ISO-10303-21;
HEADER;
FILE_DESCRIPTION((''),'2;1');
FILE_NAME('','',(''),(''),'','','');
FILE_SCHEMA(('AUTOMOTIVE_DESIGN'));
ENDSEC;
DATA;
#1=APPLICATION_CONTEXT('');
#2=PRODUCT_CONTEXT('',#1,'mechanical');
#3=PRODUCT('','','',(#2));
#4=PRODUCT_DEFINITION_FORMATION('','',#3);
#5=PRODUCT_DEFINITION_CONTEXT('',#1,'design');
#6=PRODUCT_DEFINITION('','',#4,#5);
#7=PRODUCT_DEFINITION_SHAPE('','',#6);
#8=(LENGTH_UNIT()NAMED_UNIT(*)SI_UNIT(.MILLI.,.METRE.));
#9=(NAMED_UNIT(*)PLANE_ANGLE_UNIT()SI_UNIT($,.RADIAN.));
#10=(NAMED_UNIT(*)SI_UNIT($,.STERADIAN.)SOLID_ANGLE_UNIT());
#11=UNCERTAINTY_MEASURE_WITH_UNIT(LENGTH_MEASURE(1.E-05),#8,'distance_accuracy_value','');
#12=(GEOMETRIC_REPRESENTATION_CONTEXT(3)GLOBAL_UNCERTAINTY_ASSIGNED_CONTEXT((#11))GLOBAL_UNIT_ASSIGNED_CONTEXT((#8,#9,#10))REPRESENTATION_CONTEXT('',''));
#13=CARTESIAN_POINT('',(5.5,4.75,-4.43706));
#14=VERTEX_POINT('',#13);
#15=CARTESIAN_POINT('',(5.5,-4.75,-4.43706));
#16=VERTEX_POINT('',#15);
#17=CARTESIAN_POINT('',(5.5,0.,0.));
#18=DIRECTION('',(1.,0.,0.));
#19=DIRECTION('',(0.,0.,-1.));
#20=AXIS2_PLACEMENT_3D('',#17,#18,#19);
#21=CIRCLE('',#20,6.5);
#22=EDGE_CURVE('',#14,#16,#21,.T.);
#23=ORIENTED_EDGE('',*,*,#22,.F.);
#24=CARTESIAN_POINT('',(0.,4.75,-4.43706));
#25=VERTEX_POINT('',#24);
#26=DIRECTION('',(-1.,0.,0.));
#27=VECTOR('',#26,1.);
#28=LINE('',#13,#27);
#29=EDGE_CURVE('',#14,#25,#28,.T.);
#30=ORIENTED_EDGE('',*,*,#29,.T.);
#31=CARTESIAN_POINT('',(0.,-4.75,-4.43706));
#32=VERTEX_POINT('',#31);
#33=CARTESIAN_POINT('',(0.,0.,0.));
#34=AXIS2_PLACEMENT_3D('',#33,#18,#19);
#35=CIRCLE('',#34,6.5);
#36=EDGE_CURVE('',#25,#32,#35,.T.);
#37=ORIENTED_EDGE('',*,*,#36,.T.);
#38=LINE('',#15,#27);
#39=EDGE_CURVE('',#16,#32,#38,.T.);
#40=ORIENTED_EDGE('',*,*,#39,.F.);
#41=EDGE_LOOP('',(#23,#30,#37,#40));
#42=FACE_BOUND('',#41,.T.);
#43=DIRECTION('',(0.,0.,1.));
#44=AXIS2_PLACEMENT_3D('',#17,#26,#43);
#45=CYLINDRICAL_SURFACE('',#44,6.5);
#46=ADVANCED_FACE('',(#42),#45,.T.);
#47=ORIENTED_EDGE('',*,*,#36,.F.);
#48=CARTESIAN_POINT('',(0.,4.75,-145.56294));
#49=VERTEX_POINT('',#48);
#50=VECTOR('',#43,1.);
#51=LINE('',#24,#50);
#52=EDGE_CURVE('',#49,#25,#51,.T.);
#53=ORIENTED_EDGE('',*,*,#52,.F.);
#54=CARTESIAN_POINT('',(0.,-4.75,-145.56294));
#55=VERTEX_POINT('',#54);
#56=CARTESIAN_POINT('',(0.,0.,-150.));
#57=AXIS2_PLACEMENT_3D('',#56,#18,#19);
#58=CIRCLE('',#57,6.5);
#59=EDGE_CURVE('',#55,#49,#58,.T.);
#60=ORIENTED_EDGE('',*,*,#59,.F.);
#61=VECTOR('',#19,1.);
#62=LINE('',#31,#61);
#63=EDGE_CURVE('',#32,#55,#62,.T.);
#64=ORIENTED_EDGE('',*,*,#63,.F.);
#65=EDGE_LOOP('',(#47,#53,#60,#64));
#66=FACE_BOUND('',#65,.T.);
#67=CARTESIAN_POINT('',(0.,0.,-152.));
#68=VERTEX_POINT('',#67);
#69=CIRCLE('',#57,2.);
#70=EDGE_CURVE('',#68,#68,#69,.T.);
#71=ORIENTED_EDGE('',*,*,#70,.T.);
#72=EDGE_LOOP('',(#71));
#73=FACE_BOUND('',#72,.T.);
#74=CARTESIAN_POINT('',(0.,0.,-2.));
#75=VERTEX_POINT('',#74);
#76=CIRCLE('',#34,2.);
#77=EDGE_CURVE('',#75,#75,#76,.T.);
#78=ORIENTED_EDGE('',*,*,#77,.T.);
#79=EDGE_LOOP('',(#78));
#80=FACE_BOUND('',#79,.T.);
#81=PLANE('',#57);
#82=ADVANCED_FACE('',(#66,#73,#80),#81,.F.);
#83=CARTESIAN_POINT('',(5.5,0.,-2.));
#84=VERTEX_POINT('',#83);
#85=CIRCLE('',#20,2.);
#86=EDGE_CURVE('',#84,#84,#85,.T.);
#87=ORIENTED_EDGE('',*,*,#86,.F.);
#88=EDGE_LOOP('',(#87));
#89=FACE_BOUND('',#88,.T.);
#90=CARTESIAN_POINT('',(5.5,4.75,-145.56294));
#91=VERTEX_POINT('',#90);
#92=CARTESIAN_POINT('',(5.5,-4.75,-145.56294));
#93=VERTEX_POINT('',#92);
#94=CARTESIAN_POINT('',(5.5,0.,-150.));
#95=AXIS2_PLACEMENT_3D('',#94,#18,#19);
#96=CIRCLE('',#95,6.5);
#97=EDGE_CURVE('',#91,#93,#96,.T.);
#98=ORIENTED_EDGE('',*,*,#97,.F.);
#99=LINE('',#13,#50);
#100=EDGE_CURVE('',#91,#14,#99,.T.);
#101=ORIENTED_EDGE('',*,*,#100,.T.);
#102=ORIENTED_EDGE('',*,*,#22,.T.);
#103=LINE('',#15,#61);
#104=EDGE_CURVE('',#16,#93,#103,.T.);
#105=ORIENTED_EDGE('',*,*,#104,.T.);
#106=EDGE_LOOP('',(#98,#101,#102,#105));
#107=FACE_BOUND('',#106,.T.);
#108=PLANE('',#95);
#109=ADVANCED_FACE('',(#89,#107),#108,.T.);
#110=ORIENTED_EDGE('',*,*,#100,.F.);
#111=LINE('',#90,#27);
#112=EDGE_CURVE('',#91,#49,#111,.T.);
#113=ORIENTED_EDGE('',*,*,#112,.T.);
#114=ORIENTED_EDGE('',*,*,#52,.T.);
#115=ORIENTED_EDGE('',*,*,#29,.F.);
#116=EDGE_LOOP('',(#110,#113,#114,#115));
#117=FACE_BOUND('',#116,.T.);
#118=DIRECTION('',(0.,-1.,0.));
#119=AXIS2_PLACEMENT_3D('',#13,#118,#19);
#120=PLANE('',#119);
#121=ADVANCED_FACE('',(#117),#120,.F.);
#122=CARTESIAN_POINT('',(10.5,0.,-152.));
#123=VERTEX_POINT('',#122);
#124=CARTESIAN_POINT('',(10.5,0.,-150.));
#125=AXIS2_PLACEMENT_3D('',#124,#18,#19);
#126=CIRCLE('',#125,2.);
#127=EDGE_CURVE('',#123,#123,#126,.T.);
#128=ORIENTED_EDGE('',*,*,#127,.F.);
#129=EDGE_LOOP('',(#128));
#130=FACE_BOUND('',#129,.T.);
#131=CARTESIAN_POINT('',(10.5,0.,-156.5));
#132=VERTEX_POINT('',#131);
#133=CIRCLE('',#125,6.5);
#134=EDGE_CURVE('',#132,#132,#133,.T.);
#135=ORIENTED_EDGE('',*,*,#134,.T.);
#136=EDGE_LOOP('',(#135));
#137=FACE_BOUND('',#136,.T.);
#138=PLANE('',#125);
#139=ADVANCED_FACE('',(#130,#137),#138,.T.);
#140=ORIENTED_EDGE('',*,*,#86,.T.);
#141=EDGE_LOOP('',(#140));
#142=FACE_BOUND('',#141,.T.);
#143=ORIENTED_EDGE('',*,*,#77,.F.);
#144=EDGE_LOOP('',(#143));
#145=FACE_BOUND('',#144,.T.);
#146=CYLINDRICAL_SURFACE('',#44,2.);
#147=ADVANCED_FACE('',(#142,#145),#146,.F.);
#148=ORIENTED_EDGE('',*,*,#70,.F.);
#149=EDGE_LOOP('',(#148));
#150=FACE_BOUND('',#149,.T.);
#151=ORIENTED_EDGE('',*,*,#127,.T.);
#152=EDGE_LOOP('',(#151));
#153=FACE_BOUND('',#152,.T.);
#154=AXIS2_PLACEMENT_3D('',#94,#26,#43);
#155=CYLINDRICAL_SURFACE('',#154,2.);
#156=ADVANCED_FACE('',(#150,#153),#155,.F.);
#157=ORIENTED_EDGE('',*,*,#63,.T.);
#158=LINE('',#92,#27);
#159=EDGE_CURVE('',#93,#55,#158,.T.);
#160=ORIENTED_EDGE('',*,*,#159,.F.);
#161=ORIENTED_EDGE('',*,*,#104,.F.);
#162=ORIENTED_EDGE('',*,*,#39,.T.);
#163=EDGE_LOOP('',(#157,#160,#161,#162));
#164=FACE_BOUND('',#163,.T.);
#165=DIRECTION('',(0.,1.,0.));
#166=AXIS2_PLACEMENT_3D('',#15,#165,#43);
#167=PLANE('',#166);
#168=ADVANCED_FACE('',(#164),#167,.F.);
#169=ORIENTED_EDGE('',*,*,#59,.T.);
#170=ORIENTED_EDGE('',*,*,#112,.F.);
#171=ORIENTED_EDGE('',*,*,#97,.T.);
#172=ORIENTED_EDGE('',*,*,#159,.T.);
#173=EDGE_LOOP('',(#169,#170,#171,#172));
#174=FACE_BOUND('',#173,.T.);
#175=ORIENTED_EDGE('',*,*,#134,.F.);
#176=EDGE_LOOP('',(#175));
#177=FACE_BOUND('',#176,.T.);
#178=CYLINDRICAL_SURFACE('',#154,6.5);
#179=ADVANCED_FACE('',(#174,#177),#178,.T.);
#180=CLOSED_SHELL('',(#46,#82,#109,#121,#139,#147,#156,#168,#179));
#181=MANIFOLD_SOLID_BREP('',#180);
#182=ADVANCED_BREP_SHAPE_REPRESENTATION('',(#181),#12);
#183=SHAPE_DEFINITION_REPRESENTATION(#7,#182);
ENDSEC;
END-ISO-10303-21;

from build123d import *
from build123d.topology import SkipClean

# Parameters (mm, degrees)
SKETCH1_R           = 2
BOSS_EXTRUDE1_DEPTH = 5.5
SKETCH2_R           = 6.5
SKETCH2_R_2         = 2
BOSS_EXTRUDE3_DEPTH = 5


with BuildPart() as part:
    # Sketch1 → Boss-Extrude1 (new body)
    with BuildSketch(Plane(origin=(0, 0, 0), x_dir=(0, 0, -1), z_dir=(1, 0, 0))):
        with BuildLine():
            Line((4.437059837, 4.75), (145.562940163, 4.75))
            ThreePointArc((145.562940163, 4.75), (156.5, 0), (145.562940163, -4.75))
            Line((145.562940163, -4.75), (4.437059837, -4.75))
            ThreePointArc((4.437059837, -4.75), (-6.5, 0), (4.437059837, 4.75))
        make_face()
        Circle(SKETCH1_R, mode=Mode.SUBTRACT)
        with Locations((150, 0)):
            Circle(SKETCH1_R, mode=Mode.SUBTRACT)
    extrude(amount=BOSS_EXTRUDE1_DEPTH)

    # Sketch2 → Boss-Extrude3 (add)
    with SkipClean():  # the faces are left unmerged after this step: merging them gives an invalid solid
        with BuildSketch(Plane(origin=(5.5, 0, 0), x_dir=(0, 0, -1), z_dir=(1, 0, 0))):
            with Locations(Location((150, 0, 0), (0, 0, 226.9509202))):
                Circle(SKETCH2_R)
            with Locations((150, 0)):
                Circle(SKETCH2_R_2, mode=Mode.SUBTRACT)
        extrude(amount=BOSS_EXTRUDE3_DEPTH)


solid = part.part
